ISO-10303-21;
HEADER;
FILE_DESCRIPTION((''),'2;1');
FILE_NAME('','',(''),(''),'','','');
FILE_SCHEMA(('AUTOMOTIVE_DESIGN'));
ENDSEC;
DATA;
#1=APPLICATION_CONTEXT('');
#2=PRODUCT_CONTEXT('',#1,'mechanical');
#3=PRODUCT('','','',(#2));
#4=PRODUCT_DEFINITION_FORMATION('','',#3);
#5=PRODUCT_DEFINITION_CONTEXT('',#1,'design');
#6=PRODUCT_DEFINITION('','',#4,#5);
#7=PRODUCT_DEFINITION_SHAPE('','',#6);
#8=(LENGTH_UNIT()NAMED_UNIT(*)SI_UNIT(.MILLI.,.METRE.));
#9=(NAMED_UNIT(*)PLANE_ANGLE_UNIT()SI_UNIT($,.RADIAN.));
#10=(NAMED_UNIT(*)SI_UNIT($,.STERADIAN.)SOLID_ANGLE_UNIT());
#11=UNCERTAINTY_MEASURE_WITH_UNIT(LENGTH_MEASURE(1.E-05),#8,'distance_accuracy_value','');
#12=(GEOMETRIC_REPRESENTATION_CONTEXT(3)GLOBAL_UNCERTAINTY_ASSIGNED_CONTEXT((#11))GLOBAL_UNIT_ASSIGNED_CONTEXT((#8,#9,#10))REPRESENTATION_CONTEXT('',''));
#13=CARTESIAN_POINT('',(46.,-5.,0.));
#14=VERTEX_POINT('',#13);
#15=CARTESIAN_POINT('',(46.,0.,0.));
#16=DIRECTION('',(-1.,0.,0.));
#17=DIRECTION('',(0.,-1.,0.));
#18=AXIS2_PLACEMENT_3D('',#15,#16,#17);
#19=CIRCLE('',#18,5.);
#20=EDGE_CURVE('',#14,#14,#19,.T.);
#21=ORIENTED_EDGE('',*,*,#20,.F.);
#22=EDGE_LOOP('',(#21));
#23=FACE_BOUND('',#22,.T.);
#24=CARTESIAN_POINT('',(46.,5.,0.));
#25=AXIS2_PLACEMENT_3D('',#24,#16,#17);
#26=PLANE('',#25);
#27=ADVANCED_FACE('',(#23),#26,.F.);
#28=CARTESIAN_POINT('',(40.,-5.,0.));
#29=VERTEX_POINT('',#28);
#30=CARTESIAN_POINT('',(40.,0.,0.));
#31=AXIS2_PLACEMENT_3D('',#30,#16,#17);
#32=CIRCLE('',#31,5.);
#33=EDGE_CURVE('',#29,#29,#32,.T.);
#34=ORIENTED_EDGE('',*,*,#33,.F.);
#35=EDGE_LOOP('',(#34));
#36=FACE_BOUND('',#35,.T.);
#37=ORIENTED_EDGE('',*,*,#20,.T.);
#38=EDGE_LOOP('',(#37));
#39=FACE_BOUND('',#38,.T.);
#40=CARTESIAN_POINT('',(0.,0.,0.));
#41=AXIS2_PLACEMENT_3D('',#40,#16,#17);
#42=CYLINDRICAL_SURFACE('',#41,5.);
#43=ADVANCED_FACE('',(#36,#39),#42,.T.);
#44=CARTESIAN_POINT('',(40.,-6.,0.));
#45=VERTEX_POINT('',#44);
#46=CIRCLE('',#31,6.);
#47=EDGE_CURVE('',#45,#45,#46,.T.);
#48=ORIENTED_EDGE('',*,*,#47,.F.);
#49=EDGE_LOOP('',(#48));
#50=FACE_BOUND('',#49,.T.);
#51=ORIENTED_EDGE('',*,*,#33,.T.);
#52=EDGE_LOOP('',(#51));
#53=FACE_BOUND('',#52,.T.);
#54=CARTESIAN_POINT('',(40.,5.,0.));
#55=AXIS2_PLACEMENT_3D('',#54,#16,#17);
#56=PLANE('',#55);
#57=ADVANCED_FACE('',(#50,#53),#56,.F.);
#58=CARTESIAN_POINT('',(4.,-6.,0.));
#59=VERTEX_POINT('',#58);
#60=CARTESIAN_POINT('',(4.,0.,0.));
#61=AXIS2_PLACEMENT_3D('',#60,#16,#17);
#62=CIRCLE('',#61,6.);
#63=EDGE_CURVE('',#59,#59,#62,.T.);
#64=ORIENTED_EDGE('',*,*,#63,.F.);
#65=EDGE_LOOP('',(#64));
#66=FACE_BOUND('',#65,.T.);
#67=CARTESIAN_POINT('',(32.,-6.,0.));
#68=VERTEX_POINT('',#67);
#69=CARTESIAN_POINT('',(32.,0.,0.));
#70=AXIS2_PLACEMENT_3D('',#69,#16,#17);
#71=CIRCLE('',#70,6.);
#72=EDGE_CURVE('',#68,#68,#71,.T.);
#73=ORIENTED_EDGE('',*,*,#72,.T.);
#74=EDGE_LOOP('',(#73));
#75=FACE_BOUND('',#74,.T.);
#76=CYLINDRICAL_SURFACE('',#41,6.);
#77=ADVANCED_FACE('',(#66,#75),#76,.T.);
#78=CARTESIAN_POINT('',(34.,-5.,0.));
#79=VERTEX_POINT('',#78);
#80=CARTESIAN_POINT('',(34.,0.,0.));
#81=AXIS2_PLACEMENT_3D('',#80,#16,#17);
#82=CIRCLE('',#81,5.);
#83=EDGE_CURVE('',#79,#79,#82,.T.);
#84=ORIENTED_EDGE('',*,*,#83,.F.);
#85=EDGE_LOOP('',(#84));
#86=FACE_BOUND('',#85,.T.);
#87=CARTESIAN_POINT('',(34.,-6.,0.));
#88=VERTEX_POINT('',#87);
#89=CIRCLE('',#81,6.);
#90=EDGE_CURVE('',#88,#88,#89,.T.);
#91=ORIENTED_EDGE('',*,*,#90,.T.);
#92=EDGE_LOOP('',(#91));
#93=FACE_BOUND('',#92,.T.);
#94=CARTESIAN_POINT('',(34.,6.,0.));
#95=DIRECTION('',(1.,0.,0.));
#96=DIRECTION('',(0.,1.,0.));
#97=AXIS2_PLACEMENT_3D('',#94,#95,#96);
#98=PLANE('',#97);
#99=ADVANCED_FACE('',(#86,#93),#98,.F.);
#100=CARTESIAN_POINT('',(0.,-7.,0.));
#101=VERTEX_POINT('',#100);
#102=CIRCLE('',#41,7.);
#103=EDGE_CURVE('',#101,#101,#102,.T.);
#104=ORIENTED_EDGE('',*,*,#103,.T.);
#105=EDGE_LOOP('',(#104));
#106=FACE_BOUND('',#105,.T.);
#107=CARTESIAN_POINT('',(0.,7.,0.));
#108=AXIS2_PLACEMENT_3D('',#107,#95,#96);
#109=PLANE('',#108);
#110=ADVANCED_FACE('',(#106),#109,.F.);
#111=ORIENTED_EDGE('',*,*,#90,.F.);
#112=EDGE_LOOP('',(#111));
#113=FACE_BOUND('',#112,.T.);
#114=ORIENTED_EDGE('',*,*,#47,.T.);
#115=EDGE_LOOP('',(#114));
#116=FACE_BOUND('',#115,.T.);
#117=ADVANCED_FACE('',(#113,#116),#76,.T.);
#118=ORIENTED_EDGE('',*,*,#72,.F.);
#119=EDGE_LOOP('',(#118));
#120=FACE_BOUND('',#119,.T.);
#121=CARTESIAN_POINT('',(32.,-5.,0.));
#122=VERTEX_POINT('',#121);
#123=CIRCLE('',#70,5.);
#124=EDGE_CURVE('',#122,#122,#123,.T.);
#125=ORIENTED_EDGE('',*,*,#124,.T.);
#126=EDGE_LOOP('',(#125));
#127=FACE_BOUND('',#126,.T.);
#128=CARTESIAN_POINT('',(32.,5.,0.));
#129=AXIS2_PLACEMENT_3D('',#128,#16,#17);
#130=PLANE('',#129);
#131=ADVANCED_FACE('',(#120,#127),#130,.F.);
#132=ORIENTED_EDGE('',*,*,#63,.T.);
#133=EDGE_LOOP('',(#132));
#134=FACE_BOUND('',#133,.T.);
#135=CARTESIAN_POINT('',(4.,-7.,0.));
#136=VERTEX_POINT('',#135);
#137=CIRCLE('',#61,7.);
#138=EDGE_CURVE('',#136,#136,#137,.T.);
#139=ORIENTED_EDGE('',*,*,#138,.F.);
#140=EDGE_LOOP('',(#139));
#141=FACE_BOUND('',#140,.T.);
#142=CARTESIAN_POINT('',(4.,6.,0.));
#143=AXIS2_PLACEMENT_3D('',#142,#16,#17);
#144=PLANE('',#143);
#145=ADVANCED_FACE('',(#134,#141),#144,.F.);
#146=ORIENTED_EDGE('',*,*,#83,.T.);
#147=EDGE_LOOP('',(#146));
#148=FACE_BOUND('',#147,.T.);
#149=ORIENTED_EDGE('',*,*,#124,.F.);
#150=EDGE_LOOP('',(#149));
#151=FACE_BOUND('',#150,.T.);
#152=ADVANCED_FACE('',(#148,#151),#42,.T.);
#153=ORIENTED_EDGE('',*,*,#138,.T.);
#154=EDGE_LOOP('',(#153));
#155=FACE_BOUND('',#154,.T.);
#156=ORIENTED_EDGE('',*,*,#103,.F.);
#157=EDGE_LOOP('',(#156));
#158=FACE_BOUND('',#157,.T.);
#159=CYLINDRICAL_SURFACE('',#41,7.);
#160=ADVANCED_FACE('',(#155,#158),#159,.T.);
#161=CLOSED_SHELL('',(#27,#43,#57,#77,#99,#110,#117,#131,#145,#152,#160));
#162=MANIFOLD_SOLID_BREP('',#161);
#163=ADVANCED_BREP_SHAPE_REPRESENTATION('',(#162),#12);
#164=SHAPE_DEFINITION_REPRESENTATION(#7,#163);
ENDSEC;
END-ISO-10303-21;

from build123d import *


with BuildPart() as part:
    # Sketch1 → Revolve1 (revolve)
    with BuildSketch(Plane.XY, mode=Mode.PRIVATE) as revolve1_sk:
        Polygon((0, 0), (40, 0), (46, 0), (46, 5), (40, 5), (40, 6), (34, 6), (34, 5), (32, 5), (32, 6), (4, 6), (4, 7), (0, 7), align=None)
    revolve(revolve1_sk.sketch.rotate(Axis((0, 0, 0), (1, 0, 0)), 180), axis=Axis((0, 0, 0), (1, 0, 0)))


solid = part.part
